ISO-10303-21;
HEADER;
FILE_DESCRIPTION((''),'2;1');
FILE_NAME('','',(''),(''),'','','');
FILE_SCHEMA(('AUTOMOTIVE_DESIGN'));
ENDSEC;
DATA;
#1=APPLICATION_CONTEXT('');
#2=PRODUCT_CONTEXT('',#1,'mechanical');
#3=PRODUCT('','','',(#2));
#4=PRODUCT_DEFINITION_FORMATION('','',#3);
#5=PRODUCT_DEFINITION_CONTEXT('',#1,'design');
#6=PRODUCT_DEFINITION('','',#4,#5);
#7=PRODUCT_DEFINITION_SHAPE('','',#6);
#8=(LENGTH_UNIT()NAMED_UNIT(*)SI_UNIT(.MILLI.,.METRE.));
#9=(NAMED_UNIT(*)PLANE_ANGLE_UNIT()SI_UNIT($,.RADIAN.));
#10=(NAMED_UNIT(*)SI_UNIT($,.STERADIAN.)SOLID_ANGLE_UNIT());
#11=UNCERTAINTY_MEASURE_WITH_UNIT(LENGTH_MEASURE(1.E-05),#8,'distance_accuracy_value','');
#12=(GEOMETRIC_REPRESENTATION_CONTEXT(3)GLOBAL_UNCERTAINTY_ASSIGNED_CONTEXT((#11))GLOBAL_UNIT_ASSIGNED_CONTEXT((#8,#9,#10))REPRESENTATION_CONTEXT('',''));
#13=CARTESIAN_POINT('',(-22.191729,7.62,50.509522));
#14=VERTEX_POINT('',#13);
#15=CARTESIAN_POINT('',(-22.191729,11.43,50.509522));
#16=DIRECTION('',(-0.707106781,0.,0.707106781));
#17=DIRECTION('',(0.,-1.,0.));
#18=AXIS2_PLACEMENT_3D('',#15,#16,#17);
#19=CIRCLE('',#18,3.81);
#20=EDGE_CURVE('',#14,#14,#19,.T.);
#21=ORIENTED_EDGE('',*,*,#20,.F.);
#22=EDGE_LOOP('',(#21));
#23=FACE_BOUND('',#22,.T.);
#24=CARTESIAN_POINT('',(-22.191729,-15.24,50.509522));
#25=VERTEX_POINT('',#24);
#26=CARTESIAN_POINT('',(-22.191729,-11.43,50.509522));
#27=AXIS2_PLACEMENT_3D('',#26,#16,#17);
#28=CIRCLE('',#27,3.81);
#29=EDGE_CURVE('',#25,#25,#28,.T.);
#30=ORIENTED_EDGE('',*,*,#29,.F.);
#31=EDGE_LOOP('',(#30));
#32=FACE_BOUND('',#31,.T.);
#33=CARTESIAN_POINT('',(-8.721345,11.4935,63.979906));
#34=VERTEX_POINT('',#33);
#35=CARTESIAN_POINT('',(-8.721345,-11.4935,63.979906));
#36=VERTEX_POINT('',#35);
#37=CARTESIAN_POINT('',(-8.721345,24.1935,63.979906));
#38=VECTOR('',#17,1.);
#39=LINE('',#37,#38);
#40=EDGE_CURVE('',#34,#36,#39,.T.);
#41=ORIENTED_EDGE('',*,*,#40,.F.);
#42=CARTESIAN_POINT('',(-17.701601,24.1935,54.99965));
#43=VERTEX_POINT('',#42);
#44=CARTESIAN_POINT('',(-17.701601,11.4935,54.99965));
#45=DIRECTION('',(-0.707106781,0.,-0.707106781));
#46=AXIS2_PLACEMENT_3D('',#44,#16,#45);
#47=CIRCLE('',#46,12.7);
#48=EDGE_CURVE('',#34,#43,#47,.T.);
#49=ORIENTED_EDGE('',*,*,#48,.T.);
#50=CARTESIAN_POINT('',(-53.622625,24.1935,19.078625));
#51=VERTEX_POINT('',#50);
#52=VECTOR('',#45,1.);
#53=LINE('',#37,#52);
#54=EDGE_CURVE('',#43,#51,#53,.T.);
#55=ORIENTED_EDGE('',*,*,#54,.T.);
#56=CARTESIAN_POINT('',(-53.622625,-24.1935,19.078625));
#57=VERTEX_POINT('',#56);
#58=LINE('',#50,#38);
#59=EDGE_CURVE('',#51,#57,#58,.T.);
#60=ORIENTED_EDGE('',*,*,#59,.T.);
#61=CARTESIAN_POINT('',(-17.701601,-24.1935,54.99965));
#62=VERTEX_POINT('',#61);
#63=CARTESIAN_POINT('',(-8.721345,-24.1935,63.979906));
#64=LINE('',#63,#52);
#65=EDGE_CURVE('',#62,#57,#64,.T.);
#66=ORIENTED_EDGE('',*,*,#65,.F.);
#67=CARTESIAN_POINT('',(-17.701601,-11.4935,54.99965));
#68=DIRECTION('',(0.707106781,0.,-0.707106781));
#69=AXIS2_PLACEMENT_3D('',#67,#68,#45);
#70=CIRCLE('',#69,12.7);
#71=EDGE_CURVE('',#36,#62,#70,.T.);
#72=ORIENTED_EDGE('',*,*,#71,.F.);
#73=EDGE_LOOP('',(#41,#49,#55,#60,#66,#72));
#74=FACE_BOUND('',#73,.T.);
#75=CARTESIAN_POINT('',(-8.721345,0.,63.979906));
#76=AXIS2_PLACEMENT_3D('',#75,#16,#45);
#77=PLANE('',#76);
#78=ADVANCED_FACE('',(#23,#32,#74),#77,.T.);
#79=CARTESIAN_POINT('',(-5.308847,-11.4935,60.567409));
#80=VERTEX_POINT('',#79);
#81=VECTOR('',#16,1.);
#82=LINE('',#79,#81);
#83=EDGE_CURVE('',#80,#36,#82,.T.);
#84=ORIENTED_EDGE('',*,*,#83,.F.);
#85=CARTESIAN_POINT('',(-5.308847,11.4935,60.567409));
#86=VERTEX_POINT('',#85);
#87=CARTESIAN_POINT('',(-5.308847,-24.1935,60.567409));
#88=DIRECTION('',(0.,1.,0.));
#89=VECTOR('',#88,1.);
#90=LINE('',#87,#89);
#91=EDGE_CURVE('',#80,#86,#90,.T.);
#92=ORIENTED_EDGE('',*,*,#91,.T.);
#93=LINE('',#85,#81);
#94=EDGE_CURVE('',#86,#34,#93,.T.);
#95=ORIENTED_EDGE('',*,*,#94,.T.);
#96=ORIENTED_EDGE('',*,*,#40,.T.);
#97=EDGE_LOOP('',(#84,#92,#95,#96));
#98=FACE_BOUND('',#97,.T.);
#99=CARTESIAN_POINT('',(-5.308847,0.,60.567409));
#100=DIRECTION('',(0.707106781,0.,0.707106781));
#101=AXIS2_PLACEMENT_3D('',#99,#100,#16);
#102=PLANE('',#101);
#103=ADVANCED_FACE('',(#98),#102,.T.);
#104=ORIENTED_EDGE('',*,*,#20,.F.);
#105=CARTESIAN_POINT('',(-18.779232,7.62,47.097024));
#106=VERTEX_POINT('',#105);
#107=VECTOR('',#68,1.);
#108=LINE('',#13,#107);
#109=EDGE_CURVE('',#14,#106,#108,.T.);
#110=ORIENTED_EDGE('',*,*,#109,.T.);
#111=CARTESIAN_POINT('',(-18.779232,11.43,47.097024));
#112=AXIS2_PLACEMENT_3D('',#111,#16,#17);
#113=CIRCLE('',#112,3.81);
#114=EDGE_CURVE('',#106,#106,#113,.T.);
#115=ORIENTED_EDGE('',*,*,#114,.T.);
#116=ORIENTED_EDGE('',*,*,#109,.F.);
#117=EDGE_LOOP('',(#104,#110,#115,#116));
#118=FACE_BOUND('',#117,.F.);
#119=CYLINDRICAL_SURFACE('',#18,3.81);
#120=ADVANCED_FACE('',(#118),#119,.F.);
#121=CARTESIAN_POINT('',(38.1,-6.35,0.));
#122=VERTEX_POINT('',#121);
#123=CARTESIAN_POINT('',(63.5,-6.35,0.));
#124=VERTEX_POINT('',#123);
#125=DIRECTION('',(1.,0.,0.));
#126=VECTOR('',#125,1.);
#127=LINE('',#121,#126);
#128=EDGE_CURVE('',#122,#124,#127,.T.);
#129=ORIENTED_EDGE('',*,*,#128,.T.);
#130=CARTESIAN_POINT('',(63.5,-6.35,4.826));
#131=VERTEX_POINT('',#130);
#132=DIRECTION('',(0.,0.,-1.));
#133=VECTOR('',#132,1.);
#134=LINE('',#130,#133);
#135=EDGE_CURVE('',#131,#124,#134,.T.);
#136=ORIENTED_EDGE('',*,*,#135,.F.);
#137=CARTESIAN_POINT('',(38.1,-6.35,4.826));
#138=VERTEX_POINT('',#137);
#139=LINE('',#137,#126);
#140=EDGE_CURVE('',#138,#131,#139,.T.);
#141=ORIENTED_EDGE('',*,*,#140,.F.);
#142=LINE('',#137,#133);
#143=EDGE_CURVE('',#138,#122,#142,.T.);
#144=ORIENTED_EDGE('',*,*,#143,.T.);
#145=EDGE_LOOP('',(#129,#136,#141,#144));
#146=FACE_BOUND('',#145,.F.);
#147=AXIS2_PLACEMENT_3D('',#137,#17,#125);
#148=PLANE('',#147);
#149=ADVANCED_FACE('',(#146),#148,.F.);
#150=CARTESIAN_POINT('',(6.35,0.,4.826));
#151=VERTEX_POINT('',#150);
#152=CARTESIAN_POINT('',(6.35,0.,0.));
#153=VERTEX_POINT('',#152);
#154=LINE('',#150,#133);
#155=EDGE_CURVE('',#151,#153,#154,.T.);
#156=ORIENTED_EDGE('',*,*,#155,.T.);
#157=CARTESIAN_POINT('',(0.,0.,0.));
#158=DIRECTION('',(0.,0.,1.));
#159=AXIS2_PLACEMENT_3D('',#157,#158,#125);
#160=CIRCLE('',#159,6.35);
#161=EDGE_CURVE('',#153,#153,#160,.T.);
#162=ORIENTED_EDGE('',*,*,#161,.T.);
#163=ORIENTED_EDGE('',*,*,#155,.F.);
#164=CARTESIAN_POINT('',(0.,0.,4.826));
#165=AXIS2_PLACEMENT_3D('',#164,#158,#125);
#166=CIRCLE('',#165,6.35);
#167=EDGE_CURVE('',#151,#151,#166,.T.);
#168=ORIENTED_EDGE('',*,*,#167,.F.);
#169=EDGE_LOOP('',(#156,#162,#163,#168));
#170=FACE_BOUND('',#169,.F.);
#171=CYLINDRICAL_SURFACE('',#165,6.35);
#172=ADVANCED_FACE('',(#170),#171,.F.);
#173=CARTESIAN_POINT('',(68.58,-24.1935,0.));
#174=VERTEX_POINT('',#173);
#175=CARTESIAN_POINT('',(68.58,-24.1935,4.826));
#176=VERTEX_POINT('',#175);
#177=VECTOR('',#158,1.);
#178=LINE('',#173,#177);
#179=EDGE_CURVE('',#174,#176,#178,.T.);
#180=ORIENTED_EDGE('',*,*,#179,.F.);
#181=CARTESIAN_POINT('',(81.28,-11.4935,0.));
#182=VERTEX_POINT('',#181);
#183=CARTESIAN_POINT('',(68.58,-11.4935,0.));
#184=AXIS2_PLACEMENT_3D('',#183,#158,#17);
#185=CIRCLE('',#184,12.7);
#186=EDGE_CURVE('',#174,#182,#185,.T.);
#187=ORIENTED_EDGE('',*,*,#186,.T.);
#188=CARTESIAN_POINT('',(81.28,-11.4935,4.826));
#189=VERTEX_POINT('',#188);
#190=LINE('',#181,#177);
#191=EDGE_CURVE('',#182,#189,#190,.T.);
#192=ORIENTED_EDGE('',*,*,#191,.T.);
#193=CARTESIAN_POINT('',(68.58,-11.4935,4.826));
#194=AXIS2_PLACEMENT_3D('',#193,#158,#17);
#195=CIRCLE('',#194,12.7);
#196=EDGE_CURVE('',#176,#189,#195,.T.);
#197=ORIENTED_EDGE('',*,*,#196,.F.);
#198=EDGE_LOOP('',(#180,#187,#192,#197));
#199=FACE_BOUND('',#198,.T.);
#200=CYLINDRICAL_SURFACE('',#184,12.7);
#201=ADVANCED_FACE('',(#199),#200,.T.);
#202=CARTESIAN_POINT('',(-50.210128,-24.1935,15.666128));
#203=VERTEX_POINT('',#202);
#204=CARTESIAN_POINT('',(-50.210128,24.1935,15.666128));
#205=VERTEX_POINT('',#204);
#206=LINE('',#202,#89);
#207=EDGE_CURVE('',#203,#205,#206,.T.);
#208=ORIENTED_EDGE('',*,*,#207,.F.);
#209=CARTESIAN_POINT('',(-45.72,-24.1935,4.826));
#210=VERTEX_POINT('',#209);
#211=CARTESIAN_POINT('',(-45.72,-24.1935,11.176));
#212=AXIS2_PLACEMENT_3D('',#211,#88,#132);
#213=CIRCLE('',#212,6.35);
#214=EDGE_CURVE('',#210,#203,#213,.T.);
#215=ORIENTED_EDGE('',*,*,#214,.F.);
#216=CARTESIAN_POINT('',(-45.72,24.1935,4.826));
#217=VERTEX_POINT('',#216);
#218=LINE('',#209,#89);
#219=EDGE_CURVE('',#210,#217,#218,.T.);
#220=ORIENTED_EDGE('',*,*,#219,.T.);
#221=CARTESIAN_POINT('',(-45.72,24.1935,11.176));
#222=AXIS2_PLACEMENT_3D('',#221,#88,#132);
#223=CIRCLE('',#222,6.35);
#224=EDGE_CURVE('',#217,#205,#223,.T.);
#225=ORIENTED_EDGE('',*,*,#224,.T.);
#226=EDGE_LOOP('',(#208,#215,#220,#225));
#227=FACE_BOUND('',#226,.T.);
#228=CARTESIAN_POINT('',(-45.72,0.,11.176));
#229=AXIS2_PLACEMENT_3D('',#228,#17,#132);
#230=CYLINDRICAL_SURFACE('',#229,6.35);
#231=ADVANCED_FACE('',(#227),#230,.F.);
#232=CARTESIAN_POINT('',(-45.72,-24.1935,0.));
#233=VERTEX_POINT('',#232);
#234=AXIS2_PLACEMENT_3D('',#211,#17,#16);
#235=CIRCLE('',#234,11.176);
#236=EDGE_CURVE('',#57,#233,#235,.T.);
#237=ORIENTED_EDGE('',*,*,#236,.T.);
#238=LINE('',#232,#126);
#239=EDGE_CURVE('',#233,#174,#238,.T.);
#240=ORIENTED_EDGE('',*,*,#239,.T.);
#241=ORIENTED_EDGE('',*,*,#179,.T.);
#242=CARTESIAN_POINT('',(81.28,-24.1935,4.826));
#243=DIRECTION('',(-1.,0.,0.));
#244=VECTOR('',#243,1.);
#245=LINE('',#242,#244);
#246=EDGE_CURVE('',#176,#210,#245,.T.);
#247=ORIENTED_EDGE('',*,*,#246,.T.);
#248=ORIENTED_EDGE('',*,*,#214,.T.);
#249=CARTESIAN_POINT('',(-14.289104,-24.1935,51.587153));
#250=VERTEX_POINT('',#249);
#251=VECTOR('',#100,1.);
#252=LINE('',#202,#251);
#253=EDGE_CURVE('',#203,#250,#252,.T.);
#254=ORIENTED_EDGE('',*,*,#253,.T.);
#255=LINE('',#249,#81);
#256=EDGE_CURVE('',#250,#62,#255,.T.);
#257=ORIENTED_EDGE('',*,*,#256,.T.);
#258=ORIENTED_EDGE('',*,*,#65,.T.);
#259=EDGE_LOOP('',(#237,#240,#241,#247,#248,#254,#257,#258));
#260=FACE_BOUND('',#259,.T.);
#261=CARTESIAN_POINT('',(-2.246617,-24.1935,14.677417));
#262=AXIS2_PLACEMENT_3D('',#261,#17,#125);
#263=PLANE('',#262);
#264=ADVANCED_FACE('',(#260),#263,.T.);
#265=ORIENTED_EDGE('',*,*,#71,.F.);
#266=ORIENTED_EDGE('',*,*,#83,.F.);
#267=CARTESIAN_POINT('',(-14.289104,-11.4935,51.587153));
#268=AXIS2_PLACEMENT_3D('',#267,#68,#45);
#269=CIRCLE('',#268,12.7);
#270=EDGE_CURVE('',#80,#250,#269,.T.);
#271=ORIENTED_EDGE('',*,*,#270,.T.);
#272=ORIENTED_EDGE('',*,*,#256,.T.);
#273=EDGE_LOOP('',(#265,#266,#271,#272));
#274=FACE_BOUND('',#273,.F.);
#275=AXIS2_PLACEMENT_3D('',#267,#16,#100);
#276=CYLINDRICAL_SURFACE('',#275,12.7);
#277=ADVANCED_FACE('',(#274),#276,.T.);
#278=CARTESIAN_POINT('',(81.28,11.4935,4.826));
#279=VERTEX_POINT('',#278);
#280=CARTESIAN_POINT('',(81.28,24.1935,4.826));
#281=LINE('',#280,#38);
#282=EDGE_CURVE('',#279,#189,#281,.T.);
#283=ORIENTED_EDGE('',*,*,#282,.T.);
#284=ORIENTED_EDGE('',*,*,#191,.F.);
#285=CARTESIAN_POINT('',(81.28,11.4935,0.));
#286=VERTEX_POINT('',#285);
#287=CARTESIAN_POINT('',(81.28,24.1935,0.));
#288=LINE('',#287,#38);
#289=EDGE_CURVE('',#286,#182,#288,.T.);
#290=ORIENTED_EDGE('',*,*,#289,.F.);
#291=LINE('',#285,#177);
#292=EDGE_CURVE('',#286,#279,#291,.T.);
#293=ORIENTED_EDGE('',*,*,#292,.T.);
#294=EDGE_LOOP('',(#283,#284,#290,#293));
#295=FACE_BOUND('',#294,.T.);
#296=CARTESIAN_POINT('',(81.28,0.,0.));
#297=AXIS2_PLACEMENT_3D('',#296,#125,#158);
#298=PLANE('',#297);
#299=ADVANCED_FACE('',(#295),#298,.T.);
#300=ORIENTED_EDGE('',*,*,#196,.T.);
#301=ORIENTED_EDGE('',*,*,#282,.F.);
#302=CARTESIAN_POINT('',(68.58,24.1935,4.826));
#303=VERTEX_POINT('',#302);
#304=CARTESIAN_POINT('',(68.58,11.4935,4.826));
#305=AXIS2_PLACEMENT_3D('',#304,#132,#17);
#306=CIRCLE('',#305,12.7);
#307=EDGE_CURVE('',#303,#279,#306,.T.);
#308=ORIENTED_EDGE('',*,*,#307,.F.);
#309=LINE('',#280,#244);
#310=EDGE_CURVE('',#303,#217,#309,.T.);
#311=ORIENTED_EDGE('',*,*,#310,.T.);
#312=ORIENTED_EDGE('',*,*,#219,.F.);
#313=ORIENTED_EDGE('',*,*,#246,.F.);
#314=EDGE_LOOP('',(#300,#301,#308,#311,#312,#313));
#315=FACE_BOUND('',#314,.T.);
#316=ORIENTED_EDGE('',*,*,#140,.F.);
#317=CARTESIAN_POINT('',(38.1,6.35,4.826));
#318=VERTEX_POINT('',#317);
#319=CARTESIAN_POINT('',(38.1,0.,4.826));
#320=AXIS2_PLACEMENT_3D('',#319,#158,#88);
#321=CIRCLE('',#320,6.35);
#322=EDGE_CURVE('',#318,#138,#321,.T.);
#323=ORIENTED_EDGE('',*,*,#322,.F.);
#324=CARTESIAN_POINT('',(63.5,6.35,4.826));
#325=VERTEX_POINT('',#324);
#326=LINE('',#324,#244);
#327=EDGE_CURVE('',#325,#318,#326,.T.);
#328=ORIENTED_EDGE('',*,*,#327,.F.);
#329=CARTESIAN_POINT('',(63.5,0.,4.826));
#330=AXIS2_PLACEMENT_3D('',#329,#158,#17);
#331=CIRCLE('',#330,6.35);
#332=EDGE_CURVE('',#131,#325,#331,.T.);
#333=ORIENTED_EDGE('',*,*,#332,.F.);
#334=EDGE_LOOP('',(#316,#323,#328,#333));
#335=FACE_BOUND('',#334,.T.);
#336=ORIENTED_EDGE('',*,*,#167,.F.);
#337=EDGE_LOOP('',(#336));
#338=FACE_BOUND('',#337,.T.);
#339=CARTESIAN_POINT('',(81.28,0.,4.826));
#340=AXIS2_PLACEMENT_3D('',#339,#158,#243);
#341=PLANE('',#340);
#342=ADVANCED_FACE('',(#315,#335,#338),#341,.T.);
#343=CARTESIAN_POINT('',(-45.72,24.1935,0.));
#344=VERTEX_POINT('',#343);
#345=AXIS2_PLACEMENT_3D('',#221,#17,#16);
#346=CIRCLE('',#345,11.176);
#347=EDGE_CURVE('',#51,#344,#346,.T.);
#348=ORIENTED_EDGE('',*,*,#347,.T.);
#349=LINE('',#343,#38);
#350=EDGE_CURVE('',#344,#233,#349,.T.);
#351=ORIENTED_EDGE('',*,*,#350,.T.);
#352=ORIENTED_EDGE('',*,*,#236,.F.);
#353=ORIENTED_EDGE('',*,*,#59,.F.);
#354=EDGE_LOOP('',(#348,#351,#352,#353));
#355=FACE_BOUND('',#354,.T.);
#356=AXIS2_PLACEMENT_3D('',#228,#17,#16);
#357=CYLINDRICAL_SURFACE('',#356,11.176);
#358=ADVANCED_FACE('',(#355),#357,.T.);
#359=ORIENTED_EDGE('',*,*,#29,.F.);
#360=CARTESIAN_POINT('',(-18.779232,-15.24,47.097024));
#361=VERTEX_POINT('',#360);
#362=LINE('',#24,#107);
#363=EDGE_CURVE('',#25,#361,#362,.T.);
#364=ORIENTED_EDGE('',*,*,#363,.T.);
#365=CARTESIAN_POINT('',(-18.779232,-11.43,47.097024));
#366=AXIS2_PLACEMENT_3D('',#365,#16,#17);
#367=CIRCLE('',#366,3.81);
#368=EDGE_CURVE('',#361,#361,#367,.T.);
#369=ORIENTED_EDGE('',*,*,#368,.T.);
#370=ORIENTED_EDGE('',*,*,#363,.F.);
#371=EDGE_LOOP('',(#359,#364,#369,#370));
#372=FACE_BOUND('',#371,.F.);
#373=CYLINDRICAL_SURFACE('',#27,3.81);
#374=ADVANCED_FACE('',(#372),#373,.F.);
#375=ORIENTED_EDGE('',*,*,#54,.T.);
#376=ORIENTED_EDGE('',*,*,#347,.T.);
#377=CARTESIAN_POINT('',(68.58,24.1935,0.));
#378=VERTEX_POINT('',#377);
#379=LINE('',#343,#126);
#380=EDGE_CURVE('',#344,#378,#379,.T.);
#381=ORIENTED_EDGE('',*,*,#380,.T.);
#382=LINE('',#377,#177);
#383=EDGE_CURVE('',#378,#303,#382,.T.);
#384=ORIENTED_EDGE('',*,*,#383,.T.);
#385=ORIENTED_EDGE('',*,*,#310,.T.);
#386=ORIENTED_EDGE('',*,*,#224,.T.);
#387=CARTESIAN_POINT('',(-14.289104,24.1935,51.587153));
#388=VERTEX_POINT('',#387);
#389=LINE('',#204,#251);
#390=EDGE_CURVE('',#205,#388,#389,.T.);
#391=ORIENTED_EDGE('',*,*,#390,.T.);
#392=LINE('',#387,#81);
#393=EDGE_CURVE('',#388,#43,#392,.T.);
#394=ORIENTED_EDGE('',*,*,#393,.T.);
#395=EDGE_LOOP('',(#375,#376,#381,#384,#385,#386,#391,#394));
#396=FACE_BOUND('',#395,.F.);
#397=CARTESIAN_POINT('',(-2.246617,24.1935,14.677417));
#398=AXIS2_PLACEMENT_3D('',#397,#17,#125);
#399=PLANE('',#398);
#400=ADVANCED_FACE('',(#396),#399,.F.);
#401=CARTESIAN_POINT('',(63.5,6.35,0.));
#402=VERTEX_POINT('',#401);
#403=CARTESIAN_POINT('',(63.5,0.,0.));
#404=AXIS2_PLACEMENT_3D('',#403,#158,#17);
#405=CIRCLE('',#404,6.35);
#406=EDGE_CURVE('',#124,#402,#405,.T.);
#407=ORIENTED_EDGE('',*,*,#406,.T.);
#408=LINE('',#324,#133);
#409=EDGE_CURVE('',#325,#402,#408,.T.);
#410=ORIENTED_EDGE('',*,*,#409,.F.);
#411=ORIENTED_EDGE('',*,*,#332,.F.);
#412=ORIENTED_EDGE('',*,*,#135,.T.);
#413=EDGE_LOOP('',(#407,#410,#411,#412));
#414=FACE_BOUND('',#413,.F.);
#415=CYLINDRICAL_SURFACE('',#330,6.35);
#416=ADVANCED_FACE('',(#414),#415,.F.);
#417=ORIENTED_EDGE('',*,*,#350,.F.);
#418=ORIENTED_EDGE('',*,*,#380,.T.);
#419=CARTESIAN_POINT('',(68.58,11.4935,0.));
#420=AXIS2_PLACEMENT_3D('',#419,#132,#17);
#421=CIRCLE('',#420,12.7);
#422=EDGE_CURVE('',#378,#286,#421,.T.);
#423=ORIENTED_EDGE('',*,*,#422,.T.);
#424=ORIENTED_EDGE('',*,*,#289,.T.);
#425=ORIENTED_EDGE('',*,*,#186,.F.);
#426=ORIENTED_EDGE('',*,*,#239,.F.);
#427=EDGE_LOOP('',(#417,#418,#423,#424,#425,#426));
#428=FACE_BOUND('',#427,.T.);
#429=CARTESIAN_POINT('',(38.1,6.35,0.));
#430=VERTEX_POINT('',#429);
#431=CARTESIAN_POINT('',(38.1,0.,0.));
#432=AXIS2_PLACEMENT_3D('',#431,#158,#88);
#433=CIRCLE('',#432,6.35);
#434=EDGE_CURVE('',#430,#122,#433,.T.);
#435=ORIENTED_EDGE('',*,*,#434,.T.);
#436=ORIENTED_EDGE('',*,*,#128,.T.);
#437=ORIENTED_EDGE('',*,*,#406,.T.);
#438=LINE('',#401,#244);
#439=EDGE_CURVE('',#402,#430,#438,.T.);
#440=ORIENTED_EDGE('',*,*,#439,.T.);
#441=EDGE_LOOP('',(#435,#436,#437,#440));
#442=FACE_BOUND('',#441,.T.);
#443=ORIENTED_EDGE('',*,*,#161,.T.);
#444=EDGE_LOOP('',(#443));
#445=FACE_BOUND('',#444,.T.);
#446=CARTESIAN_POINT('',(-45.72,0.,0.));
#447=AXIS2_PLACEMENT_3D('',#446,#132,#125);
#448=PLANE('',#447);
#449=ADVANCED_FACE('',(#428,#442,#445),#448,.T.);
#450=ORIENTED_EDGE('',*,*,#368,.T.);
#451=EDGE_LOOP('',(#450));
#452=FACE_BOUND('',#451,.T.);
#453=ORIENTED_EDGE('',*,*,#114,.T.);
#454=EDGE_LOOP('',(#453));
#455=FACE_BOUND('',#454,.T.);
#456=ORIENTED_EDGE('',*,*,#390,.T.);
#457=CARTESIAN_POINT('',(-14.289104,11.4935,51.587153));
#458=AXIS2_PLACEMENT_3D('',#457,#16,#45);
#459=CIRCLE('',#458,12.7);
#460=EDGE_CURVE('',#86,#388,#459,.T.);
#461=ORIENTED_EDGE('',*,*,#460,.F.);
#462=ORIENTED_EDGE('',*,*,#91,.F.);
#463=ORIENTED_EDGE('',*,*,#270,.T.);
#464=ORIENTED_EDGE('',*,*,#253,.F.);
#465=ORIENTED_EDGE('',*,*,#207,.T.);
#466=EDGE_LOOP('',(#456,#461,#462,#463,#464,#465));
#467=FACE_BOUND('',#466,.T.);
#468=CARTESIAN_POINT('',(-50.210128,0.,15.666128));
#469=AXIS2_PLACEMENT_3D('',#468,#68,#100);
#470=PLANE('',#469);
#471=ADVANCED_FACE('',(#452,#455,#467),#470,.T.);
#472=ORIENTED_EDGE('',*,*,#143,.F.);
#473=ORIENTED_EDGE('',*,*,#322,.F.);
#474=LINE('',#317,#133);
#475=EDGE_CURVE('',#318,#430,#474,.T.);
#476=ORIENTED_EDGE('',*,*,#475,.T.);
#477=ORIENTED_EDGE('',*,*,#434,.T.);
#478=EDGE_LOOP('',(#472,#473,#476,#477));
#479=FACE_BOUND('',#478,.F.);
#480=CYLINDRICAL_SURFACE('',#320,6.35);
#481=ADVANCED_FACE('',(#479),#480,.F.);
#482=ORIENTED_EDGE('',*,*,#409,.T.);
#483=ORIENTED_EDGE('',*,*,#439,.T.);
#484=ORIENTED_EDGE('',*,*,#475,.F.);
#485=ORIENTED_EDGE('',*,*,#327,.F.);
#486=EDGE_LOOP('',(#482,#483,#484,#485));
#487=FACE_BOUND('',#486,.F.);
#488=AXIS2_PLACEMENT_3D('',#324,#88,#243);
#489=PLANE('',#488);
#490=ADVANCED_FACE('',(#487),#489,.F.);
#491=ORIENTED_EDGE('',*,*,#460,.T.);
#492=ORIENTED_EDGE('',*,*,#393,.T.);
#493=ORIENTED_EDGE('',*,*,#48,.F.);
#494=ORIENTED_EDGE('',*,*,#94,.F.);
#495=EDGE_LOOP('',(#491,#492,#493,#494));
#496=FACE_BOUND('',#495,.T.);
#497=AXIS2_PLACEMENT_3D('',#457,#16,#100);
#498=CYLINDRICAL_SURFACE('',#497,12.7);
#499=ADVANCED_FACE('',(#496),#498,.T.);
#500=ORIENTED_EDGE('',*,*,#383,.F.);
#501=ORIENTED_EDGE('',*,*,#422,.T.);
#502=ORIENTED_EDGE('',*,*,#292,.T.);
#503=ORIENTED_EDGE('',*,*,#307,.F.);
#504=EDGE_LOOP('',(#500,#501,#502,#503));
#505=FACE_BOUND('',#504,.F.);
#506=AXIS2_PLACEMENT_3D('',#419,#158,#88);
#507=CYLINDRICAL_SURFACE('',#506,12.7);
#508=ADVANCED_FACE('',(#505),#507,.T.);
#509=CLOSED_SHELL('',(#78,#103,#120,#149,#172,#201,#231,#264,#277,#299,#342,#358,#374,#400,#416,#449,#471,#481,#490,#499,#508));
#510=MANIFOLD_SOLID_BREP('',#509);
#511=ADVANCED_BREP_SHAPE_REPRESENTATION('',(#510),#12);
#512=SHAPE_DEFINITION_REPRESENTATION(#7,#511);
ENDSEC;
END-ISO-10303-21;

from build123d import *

# Parameters (mm, degrees)
F1_DEPTH = 24.1935
F2_R     = 3.81
F3_DEPTH = 4.826
F4_R     = 6.35
F5_DEPTH = 4.826
F6_R     = 12.7


with BuildPart() as f1:
    # F0 (on Front) → F1 (new body, symmetric)
    with BuildSketch(Plane.XZ):
        with BuildLine():
            Line((-5.3088474552, 60.5674086659), (-8.7213447812, 63.9799059919))
            Line((-8.7213447812, 63.9799059919), (-53.6226253865, 19.0786253865))
            ThreePointArc((-53.6226253865, 19.0786253865), (-56.0452776553, 6.8991299599), (-45.72, 0))
            Line((-45.72, 0), (81.28, 0))
            Line((81.28, 0), (81.28, 4.826))
            Line((81.28, 4.826), (-45.72, 4.826))
            ThreePointArc((-45.72, 4.826), (-51.5866350314, 8.7459602045), (-50.2101280605, 15.6661280605))
            Line((-50.2101280605, 15.6661280605), (-5.3088474552, 60.5674086659))
        make_face()
    extrude(amount=F1_DEPTH, both=True)

    # F2 (on face) → F3 (cut, through all)
    with BuildSketch(Plane(origin=(-36.3506253865, 0, 36.3506253865), x_dir=(0, -1, 0), z_dir=(-0.7071067812, 0, 0.7071067812))):
        with Locations((-11.43, 20.0237033507)):
            Circle(F2_R)
        with Locations((11.43, 20.0237033507)):
            Circle(F2_R)
    extrude(amount=-F3_DEPTH, mode=Mode.SUBTRACT)

    # F4 (on face) → F5 (cut, through all)
    with BuildSketch(Plane.XY.offset(4.826)):
        Circle(F4_R)
        with BuildLine():
            Line((63.5, 6.35), (38.1, 6.35))
            ThreePointArc((38.1, 6.35), (31.75, 0), (38.1, -6.35))
            Line((38.1, -6.35), (63.5, -6.35))
            ThreePointArc((63.5, -6.35), (69.85, 0), (63.5, 6.35))
        make_face()
    extrude(amount=-F5_DEPTH, mode=Mode.SUBTRACT)

    # F6
    f6_edges = [f1.edges().sort_by_distance(p)[0] for p in [
        (-7.015096, -24.1935, 62.273657),
        (-7.015096, 24.1935, 62.273657),
        (81.28, 24.1935, 2.413),
        (81.28, -24.1935, 2.413),
    ]]
    fillet(f6_edges, radius=F6_R)


solid = f1.part
